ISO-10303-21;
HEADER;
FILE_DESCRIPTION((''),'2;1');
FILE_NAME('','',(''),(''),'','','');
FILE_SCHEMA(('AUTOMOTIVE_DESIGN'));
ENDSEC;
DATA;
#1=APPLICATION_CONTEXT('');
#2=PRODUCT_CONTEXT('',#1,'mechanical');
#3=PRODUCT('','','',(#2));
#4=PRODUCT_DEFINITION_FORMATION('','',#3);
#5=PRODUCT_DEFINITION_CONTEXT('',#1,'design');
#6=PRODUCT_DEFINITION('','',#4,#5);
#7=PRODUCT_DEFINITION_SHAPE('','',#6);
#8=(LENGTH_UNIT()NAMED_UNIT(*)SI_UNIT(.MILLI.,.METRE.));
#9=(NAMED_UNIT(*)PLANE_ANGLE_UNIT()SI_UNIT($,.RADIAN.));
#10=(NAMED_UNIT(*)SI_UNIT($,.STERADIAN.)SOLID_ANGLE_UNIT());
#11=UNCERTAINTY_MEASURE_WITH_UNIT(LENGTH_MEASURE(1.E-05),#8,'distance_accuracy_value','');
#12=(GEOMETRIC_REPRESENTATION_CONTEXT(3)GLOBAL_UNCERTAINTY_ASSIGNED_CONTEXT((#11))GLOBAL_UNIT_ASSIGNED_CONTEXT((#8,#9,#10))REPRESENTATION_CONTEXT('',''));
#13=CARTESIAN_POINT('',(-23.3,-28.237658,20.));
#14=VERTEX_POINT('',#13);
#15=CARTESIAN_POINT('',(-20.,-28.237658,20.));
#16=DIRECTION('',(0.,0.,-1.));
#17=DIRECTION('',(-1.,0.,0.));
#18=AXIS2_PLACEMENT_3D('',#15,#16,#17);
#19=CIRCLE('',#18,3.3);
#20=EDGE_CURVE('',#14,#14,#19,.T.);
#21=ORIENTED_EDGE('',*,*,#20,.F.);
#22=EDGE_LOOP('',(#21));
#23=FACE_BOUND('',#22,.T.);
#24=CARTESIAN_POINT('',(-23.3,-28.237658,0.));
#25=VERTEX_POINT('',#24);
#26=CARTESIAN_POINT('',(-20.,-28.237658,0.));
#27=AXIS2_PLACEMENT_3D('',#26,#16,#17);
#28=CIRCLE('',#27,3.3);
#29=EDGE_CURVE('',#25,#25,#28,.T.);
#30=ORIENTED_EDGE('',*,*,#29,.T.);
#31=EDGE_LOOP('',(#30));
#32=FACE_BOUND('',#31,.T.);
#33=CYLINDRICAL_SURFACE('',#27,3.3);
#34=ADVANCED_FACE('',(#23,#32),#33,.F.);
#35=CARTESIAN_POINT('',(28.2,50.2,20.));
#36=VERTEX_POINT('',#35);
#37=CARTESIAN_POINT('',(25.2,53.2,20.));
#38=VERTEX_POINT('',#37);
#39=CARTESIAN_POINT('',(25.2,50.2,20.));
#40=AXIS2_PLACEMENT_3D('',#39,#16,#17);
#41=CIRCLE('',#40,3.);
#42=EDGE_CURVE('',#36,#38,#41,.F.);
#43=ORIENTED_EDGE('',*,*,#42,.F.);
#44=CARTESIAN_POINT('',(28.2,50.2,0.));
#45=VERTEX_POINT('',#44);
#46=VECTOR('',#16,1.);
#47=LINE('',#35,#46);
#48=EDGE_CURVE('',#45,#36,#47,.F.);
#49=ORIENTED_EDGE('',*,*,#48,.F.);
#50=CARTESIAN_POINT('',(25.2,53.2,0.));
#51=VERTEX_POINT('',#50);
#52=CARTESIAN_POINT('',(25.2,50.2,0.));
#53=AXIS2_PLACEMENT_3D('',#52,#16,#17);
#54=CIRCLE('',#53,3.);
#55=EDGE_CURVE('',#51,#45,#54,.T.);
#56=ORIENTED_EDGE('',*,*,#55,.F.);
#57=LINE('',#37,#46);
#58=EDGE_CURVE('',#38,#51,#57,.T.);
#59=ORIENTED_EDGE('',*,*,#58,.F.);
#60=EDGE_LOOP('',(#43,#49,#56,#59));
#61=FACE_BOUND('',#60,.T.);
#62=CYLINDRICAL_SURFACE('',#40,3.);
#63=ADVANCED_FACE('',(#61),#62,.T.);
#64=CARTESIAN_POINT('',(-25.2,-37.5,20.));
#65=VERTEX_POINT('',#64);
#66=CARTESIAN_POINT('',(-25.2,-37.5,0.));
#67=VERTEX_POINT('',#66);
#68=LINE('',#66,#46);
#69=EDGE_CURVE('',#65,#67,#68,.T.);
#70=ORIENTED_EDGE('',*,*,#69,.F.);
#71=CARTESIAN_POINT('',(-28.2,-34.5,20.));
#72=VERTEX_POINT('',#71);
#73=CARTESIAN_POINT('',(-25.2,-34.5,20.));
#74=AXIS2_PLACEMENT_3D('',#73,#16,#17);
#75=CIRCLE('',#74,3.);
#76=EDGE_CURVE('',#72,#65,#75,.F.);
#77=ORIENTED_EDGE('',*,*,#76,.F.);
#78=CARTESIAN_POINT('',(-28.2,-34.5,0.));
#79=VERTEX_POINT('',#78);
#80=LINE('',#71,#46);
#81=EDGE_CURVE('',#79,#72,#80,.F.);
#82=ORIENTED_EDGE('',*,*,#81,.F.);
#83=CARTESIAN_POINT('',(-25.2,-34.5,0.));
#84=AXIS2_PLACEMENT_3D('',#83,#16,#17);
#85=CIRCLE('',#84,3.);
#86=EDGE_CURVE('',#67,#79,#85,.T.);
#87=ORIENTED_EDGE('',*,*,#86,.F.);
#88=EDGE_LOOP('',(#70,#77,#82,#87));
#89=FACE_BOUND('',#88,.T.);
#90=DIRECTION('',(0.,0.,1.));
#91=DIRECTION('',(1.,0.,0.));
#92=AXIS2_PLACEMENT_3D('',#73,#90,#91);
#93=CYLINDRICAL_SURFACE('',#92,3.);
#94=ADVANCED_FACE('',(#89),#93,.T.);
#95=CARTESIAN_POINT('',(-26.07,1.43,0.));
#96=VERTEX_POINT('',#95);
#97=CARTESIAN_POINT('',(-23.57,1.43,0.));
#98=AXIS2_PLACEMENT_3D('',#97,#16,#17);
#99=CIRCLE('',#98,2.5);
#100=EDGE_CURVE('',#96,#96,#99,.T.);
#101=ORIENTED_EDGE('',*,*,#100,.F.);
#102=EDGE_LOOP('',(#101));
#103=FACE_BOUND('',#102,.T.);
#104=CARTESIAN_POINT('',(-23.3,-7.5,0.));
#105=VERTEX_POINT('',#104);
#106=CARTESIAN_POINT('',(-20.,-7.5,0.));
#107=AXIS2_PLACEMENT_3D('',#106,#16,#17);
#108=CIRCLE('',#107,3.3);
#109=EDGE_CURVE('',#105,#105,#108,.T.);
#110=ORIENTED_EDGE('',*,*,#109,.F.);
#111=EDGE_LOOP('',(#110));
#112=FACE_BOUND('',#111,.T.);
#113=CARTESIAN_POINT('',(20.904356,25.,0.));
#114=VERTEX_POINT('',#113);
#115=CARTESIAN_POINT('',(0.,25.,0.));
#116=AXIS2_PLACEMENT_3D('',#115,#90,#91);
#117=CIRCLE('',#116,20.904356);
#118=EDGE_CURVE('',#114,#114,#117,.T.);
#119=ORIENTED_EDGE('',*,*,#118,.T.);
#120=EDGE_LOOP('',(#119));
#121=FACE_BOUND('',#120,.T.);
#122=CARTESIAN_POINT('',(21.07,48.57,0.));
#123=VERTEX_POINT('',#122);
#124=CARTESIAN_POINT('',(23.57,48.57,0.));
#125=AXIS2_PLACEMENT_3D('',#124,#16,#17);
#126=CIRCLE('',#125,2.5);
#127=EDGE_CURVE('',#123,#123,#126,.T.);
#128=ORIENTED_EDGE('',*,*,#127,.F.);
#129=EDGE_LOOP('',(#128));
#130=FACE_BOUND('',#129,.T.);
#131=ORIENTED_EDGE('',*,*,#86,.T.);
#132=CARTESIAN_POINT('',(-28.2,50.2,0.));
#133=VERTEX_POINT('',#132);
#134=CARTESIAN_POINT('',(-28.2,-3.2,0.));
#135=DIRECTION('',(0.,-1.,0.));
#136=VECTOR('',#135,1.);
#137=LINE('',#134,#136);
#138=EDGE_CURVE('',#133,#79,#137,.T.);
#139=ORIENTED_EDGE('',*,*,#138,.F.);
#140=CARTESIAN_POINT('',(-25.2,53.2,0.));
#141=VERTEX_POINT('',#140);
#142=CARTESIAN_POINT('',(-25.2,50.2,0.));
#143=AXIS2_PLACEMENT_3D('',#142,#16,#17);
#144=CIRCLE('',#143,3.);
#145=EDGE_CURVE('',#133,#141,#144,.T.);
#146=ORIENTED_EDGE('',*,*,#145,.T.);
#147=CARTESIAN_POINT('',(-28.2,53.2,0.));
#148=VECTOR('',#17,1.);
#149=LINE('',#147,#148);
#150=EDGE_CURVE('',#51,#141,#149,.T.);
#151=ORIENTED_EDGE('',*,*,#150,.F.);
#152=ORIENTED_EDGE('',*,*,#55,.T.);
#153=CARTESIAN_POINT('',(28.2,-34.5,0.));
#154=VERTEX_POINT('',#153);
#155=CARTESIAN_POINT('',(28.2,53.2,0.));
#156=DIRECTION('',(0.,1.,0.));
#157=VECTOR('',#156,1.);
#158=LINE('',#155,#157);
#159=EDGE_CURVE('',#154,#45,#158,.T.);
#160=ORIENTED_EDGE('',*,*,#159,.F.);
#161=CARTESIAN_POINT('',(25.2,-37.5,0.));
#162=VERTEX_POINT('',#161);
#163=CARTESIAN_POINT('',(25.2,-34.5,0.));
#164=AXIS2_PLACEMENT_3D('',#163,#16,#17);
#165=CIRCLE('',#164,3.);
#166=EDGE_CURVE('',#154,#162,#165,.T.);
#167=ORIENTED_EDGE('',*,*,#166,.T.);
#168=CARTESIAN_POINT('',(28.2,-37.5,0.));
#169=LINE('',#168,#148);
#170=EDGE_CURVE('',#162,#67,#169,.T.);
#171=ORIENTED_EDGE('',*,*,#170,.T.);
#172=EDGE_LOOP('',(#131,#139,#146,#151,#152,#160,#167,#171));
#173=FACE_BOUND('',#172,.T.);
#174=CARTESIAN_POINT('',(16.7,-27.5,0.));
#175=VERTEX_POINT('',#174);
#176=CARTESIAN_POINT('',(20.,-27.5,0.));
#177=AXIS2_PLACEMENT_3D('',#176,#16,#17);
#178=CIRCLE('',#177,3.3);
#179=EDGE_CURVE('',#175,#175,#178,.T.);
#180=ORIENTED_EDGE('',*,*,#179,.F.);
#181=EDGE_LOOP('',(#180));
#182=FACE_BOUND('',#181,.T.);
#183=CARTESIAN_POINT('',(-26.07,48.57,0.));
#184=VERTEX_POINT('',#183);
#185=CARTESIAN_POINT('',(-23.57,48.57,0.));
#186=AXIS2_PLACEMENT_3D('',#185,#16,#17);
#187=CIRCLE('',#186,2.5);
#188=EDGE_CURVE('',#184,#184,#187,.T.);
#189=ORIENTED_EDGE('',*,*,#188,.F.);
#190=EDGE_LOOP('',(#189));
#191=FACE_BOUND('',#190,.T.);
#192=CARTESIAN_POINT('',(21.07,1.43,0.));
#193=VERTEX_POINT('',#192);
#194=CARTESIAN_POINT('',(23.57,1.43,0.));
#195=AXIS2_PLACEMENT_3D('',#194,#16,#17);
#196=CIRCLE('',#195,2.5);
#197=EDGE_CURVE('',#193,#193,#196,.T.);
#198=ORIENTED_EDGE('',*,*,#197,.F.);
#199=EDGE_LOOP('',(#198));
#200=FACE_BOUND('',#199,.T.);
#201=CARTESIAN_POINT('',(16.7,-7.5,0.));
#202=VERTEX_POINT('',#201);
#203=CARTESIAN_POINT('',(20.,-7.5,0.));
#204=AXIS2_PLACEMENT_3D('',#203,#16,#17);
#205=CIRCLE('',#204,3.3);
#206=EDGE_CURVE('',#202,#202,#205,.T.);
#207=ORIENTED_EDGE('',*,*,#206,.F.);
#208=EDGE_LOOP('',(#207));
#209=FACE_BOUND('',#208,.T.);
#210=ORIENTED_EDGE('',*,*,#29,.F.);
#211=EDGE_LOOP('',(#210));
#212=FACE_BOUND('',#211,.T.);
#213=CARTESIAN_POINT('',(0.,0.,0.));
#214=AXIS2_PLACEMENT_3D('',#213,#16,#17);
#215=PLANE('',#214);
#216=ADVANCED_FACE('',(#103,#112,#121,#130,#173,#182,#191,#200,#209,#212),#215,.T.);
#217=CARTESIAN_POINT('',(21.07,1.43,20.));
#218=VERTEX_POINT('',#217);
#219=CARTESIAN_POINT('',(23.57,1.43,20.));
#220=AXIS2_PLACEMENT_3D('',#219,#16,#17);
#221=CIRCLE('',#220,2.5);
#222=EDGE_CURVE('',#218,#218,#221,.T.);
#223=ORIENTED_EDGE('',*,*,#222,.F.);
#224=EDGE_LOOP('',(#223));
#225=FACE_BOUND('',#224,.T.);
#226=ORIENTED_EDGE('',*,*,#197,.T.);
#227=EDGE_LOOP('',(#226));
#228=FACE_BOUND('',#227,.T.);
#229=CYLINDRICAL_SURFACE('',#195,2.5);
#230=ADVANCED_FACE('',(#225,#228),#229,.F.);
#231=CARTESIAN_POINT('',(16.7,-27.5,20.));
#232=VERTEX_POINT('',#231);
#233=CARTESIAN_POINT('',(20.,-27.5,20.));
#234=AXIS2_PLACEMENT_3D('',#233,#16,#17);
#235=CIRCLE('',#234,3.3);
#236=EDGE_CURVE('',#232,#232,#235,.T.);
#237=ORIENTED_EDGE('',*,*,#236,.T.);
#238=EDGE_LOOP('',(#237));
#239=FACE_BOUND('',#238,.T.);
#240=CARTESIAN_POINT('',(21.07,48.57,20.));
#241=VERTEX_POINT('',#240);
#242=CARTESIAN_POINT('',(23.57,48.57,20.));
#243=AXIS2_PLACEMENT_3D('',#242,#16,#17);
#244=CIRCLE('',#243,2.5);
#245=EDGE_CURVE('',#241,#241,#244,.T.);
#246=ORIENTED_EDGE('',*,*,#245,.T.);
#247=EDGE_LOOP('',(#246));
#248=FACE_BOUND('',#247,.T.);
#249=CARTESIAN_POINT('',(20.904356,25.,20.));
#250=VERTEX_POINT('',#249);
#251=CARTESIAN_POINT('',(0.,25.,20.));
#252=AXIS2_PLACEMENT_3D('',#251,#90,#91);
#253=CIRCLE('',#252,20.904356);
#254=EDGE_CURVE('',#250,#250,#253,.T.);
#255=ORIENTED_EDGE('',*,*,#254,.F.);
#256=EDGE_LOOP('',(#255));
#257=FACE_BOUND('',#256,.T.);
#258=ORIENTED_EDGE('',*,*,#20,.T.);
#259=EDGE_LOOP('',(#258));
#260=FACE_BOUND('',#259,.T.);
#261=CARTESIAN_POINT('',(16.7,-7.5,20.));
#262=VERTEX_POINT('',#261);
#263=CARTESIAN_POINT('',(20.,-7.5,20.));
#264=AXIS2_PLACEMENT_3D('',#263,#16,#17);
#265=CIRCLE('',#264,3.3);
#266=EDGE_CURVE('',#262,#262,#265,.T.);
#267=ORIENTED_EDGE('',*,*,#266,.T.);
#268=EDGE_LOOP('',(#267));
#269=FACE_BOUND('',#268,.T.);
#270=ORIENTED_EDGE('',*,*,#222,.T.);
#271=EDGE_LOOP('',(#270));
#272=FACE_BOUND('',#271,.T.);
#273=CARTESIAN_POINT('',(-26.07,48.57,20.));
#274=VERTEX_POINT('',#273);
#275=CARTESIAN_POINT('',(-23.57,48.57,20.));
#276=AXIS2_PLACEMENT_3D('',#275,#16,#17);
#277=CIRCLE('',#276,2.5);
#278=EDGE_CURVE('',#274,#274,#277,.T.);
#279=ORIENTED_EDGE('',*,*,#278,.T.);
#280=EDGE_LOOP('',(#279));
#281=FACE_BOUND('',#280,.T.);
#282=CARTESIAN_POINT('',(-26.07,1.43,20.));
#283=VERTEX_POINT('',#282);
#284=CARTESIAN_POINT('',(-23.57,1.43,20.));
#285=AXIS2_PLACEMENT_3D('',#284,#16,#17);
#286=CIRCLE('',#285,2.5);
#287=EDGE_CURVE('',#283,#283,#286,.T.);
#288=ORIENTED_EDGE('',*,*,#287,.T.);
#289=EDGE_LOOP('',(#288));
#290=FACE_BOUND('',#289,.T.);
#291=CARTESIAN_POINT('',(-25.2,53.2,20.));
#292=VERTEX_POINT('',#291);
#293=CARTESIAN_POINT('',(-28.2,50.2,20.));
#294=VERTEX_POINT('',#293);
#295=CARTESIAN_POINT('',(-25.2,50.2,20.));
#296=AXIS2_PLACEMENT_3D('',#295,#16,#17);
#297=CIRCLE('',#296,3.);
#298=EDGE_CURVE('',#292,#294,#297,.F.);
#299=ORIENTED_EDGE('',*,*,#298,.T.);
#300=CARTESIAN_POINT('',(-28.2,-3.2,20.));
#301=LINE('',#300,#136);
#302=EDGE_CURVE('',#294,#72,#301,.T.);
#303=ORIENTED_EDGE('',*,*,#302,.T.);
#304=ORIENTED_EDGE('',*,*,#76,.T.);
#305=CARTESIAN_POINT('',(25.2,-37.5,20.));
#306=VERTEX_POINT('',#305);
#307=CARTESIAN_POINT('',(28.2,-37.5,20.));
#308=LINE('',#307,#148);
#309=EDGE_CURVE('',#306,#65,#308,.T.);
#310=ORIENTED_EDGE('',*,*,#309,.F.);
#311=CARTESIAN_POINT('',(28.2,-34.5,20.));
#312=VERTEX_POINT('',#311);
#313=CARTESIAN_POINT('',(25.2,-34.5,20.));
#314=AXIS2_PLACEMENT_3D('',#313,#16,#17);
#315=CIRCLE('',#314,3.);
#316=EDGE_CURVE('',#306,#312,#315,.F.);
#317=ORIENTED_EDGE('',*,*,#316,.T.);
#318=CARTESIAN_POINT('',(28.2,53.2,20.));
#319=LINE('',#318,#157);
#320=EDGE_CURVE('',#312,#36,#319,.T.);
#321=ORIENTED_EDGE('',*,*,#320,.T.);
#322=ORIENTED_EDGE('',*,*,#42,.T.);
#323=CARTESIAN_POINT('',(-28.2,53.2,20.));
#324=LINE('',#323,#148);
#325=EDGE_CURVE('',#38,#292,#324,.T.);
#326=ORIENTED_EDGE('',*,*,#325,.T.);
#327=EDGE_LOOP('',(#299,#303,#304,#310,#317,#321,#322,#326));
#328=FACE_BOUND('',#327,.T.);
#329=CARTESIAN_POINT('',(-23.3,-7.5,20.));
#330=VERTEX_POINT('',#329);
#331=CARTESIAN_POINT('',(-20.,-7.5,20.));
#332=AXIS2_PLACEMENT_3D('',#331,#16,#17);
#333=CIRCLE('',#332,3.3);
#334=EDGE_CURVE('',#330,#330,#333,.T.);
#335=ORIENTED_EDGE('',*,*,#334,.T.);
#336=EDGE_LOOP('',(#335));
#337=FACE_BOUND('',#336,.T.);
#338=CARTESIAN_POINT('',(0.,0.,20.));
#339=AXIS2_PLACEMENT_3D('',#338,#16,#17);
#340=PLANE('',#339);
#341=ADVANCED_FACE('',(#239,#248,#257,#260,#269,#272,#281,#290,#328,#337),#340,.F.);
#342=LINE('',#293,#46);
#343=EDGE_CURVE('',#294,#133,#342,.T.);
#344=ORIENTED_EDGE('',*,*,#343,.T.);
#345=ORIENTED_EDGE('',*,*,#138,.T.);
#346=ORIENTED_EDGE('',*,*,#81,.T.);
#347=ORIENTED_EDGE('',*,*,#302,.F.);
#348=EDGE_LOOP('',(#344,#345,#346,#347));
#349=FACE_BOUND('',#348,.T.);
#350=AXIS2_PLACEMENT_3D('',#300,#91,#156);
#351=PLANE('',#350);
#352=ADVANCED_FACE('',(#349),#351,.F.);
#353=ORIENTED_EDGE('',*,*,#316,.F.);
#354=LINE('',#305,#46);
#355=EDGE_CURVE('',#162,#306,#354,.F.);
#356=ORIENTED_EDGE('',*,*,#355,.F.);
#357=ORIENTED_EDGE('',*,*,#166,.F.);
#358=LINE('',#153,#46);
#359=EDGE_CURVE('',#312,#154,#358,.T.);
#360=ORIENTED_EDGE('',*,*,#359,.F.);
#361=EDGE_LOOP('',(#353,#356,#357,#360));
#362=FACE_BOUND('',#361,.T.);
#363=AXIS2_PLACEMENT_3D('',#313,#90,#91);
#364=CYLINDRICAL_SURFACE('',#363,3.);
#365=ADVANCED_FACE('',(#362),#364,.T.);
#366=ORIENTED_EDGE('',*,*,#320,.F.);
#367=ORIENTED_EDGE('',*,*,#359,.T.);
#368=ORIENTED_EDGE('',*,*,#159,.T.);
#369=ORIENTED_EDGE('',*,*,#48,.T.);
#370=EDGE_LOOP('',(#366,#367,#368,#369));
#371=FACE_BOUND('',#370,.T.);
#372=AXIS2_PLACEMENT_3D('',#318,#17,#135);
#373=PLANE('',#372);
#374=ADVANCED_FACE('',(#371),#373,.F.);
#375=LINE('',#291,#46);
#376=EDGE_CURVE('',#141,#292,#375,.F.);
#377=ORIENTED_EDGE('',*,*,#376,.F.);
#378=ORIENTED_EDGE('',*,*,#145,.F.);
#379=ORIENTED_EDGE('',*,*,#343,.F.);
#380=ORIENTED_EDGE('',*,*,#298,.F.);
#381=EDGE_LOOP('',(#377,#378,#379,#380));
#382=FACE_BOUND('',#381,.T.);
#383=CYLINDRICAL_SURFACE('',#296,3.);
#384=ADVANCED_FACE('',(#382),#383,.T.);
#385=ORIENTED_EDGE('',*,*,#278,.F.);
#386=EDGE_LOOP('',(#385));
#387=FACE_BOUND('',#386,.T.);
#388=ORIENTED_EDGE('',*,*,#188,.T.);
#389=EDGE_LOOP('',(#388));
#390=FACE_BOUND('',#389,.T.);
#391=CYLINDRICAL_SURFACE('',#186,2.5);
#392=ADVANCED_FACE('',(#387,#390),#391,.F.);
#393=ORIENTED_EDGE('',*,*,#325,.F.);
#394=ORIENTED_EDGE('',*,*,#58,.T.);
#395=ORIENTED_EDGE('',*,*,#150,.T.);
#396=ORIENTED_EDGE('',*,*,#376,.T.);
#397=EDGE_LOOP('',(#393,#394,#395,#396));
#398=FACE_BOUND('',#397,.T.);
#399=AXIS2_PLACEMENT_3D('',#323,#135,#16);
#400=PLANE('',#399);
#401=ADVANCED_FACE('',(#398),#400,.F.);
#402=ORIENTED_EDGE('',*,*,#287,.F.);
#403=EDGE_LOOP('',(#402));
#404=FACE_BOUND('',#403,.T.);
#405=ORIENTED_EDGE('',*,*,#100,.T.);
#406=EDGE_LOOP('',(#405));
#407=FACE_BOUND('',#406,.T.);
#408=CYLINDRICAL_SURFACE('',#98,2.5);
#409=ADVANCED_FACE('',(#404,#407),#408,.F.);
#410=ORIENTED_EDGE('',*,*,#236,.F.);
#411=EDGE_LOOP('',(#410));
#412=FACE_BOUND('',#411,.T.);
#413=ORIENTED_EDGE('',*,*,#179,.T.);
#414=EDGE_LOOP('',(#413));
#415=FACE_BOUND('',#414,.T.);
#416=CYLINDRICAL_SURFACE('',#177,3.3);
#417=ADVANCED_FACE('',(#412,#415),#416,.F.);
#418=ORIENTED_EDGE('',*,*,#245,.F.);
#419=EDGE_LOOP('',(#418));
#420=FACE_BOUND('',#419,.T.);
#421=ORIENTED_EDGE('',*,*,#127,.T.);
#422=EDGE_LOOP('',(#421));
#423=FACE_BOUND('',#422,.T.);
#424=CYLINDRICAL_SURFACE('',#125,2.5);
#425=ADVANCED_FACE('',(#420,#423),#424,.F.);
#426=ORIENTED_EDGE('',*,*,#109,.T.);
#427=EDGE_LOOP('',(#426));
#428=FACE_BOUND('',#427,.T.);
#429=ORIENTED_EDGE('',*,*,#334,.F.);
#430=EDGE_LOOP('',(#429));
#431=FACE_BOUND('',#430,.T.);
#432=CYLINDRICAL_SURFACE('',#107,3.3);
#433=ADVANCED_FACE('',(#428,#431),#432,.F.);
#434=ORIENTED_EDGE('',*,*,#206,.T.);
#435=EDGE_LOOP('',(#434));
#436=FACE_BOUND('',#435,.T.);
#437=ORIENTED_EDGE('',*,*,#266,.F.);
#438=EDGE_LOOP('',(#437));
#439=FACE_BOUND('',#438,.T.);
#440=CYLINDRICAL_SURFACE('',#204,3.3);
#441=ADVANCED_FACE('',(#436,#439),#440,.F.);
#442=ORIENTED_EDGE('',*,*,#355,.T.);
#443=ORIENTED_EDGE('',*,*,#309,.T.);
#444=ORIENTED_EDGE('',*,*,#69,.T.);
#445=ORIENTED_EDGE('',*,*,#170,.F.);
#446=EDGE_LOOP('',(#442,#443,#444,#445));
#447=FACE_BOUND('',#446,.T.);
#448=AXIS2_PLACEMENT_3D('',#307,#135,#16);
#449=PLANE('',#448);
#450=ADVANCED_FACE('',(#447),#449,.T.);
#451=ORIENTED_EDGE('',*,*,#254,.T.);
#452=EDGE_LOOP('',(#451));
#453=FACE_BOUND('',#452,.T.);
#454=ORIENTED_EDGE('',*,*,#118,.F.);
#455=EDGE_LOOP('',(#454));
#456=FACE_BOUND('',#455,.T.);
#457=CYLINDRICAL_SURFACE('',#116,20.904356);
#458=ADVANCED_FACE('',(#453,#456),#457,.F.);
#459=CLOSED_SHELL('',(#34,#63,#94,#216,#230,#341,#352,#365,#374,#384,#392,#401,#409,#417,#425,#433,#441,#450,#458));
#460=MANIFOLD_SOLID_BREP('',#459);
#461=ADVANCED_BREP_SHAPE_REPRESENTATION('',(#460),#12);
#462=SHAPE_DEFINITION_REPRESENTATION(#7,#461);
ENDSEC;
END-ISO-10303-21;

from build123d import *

# Parameters (mm, degrees)
SKETCH1_W               = 56.4
SKETCH1_H               = 56.4
BOSS_EXTRUDE1_DEPTH     = 20
SKETCH2_R               = 20.904355549
CUT_EXTRUDE2_DEPTH      = 20
SKETCH3_W               = 56.4
SKETCH3_H               = 34.3
BOSS_EXTRUDE2_DEPTH     = 20
FILLET1_R               = 3
TAP_DRILL_FOR_M6_TAP1_D = 5
M6_CLEARANCE_HOLE1_D    = 6.6


with BuildPart() as part:
    # Sketch1 → Boss-Extrude1 (new body)
    with BuildSketch(Plane.XY):
        with Locations((0, 25)):
            Rectangle(SKETCH1_W, SKETCH1_H)
    extrude(amount=BOSS_EXTRUDE1_DEPTH)

    # Sketch2 → Cut-Extrude2 (cut)
    with BuildSketch(Plane.XY.offset(20)):
        with Locations((0, 25)):
            Circle(SKETCH2_R)
    extrude(amount=-CUT_EXTRUDE2_DEPTH, mode=Mode.SUBTRACT)

    # Sketch3 → Boss-Extrude2 (add)
    with BuildSketch(Plane(origin=(0, 0, 0), x_dir=(-1, 0, 0), z_dir=(0, 0, -1))):
        with Locations((0, -20.35)):
            Rectangle(SKETCH3_W, SKETCH3_H)
    extrude(amount=-BOSS_EXTRUDE2_DEPTH)

    # Fillet1
    fillet1_edges = [part.edges().sort_by_distance(p)[0] for p in [
        (28.2, -37.5, 10),
        (-28.2, -37.5, 10),
        (28.2, 53.2, 10),
        (-28.2, 53.2, 10),
    ]]
    fillet(fillet1_edges, radius=FILLET1_R)

    # Tap Drill for M6 Tap1 (through all)
    with Locations(Plane(origin=(0, 0, 0), x_dir=(-1, 0, 0), z_dir=(0, 0, -1))):
        with Locations((-23.57, 48.57), (23.57, 48.57), (-23.57, 1.43), (23.57, 1.43)):
            Hole(TAP_DRILL_FOR_M6_TAP1_D / 2)

    # M6 Clearance Hole1 (through all)
    with Locations(Plane(origin=(0, 0, 0), x_dir=(-1, 0, 0), z_dir=(0, 0, -1))):
        with Locations((-20, -7.5), (-20, -27.5), (20, -28.237657735), (20, -7.5)):
            Hole(M6_CLEARANCE_HOLE1_D / 2)


solid = part.part
